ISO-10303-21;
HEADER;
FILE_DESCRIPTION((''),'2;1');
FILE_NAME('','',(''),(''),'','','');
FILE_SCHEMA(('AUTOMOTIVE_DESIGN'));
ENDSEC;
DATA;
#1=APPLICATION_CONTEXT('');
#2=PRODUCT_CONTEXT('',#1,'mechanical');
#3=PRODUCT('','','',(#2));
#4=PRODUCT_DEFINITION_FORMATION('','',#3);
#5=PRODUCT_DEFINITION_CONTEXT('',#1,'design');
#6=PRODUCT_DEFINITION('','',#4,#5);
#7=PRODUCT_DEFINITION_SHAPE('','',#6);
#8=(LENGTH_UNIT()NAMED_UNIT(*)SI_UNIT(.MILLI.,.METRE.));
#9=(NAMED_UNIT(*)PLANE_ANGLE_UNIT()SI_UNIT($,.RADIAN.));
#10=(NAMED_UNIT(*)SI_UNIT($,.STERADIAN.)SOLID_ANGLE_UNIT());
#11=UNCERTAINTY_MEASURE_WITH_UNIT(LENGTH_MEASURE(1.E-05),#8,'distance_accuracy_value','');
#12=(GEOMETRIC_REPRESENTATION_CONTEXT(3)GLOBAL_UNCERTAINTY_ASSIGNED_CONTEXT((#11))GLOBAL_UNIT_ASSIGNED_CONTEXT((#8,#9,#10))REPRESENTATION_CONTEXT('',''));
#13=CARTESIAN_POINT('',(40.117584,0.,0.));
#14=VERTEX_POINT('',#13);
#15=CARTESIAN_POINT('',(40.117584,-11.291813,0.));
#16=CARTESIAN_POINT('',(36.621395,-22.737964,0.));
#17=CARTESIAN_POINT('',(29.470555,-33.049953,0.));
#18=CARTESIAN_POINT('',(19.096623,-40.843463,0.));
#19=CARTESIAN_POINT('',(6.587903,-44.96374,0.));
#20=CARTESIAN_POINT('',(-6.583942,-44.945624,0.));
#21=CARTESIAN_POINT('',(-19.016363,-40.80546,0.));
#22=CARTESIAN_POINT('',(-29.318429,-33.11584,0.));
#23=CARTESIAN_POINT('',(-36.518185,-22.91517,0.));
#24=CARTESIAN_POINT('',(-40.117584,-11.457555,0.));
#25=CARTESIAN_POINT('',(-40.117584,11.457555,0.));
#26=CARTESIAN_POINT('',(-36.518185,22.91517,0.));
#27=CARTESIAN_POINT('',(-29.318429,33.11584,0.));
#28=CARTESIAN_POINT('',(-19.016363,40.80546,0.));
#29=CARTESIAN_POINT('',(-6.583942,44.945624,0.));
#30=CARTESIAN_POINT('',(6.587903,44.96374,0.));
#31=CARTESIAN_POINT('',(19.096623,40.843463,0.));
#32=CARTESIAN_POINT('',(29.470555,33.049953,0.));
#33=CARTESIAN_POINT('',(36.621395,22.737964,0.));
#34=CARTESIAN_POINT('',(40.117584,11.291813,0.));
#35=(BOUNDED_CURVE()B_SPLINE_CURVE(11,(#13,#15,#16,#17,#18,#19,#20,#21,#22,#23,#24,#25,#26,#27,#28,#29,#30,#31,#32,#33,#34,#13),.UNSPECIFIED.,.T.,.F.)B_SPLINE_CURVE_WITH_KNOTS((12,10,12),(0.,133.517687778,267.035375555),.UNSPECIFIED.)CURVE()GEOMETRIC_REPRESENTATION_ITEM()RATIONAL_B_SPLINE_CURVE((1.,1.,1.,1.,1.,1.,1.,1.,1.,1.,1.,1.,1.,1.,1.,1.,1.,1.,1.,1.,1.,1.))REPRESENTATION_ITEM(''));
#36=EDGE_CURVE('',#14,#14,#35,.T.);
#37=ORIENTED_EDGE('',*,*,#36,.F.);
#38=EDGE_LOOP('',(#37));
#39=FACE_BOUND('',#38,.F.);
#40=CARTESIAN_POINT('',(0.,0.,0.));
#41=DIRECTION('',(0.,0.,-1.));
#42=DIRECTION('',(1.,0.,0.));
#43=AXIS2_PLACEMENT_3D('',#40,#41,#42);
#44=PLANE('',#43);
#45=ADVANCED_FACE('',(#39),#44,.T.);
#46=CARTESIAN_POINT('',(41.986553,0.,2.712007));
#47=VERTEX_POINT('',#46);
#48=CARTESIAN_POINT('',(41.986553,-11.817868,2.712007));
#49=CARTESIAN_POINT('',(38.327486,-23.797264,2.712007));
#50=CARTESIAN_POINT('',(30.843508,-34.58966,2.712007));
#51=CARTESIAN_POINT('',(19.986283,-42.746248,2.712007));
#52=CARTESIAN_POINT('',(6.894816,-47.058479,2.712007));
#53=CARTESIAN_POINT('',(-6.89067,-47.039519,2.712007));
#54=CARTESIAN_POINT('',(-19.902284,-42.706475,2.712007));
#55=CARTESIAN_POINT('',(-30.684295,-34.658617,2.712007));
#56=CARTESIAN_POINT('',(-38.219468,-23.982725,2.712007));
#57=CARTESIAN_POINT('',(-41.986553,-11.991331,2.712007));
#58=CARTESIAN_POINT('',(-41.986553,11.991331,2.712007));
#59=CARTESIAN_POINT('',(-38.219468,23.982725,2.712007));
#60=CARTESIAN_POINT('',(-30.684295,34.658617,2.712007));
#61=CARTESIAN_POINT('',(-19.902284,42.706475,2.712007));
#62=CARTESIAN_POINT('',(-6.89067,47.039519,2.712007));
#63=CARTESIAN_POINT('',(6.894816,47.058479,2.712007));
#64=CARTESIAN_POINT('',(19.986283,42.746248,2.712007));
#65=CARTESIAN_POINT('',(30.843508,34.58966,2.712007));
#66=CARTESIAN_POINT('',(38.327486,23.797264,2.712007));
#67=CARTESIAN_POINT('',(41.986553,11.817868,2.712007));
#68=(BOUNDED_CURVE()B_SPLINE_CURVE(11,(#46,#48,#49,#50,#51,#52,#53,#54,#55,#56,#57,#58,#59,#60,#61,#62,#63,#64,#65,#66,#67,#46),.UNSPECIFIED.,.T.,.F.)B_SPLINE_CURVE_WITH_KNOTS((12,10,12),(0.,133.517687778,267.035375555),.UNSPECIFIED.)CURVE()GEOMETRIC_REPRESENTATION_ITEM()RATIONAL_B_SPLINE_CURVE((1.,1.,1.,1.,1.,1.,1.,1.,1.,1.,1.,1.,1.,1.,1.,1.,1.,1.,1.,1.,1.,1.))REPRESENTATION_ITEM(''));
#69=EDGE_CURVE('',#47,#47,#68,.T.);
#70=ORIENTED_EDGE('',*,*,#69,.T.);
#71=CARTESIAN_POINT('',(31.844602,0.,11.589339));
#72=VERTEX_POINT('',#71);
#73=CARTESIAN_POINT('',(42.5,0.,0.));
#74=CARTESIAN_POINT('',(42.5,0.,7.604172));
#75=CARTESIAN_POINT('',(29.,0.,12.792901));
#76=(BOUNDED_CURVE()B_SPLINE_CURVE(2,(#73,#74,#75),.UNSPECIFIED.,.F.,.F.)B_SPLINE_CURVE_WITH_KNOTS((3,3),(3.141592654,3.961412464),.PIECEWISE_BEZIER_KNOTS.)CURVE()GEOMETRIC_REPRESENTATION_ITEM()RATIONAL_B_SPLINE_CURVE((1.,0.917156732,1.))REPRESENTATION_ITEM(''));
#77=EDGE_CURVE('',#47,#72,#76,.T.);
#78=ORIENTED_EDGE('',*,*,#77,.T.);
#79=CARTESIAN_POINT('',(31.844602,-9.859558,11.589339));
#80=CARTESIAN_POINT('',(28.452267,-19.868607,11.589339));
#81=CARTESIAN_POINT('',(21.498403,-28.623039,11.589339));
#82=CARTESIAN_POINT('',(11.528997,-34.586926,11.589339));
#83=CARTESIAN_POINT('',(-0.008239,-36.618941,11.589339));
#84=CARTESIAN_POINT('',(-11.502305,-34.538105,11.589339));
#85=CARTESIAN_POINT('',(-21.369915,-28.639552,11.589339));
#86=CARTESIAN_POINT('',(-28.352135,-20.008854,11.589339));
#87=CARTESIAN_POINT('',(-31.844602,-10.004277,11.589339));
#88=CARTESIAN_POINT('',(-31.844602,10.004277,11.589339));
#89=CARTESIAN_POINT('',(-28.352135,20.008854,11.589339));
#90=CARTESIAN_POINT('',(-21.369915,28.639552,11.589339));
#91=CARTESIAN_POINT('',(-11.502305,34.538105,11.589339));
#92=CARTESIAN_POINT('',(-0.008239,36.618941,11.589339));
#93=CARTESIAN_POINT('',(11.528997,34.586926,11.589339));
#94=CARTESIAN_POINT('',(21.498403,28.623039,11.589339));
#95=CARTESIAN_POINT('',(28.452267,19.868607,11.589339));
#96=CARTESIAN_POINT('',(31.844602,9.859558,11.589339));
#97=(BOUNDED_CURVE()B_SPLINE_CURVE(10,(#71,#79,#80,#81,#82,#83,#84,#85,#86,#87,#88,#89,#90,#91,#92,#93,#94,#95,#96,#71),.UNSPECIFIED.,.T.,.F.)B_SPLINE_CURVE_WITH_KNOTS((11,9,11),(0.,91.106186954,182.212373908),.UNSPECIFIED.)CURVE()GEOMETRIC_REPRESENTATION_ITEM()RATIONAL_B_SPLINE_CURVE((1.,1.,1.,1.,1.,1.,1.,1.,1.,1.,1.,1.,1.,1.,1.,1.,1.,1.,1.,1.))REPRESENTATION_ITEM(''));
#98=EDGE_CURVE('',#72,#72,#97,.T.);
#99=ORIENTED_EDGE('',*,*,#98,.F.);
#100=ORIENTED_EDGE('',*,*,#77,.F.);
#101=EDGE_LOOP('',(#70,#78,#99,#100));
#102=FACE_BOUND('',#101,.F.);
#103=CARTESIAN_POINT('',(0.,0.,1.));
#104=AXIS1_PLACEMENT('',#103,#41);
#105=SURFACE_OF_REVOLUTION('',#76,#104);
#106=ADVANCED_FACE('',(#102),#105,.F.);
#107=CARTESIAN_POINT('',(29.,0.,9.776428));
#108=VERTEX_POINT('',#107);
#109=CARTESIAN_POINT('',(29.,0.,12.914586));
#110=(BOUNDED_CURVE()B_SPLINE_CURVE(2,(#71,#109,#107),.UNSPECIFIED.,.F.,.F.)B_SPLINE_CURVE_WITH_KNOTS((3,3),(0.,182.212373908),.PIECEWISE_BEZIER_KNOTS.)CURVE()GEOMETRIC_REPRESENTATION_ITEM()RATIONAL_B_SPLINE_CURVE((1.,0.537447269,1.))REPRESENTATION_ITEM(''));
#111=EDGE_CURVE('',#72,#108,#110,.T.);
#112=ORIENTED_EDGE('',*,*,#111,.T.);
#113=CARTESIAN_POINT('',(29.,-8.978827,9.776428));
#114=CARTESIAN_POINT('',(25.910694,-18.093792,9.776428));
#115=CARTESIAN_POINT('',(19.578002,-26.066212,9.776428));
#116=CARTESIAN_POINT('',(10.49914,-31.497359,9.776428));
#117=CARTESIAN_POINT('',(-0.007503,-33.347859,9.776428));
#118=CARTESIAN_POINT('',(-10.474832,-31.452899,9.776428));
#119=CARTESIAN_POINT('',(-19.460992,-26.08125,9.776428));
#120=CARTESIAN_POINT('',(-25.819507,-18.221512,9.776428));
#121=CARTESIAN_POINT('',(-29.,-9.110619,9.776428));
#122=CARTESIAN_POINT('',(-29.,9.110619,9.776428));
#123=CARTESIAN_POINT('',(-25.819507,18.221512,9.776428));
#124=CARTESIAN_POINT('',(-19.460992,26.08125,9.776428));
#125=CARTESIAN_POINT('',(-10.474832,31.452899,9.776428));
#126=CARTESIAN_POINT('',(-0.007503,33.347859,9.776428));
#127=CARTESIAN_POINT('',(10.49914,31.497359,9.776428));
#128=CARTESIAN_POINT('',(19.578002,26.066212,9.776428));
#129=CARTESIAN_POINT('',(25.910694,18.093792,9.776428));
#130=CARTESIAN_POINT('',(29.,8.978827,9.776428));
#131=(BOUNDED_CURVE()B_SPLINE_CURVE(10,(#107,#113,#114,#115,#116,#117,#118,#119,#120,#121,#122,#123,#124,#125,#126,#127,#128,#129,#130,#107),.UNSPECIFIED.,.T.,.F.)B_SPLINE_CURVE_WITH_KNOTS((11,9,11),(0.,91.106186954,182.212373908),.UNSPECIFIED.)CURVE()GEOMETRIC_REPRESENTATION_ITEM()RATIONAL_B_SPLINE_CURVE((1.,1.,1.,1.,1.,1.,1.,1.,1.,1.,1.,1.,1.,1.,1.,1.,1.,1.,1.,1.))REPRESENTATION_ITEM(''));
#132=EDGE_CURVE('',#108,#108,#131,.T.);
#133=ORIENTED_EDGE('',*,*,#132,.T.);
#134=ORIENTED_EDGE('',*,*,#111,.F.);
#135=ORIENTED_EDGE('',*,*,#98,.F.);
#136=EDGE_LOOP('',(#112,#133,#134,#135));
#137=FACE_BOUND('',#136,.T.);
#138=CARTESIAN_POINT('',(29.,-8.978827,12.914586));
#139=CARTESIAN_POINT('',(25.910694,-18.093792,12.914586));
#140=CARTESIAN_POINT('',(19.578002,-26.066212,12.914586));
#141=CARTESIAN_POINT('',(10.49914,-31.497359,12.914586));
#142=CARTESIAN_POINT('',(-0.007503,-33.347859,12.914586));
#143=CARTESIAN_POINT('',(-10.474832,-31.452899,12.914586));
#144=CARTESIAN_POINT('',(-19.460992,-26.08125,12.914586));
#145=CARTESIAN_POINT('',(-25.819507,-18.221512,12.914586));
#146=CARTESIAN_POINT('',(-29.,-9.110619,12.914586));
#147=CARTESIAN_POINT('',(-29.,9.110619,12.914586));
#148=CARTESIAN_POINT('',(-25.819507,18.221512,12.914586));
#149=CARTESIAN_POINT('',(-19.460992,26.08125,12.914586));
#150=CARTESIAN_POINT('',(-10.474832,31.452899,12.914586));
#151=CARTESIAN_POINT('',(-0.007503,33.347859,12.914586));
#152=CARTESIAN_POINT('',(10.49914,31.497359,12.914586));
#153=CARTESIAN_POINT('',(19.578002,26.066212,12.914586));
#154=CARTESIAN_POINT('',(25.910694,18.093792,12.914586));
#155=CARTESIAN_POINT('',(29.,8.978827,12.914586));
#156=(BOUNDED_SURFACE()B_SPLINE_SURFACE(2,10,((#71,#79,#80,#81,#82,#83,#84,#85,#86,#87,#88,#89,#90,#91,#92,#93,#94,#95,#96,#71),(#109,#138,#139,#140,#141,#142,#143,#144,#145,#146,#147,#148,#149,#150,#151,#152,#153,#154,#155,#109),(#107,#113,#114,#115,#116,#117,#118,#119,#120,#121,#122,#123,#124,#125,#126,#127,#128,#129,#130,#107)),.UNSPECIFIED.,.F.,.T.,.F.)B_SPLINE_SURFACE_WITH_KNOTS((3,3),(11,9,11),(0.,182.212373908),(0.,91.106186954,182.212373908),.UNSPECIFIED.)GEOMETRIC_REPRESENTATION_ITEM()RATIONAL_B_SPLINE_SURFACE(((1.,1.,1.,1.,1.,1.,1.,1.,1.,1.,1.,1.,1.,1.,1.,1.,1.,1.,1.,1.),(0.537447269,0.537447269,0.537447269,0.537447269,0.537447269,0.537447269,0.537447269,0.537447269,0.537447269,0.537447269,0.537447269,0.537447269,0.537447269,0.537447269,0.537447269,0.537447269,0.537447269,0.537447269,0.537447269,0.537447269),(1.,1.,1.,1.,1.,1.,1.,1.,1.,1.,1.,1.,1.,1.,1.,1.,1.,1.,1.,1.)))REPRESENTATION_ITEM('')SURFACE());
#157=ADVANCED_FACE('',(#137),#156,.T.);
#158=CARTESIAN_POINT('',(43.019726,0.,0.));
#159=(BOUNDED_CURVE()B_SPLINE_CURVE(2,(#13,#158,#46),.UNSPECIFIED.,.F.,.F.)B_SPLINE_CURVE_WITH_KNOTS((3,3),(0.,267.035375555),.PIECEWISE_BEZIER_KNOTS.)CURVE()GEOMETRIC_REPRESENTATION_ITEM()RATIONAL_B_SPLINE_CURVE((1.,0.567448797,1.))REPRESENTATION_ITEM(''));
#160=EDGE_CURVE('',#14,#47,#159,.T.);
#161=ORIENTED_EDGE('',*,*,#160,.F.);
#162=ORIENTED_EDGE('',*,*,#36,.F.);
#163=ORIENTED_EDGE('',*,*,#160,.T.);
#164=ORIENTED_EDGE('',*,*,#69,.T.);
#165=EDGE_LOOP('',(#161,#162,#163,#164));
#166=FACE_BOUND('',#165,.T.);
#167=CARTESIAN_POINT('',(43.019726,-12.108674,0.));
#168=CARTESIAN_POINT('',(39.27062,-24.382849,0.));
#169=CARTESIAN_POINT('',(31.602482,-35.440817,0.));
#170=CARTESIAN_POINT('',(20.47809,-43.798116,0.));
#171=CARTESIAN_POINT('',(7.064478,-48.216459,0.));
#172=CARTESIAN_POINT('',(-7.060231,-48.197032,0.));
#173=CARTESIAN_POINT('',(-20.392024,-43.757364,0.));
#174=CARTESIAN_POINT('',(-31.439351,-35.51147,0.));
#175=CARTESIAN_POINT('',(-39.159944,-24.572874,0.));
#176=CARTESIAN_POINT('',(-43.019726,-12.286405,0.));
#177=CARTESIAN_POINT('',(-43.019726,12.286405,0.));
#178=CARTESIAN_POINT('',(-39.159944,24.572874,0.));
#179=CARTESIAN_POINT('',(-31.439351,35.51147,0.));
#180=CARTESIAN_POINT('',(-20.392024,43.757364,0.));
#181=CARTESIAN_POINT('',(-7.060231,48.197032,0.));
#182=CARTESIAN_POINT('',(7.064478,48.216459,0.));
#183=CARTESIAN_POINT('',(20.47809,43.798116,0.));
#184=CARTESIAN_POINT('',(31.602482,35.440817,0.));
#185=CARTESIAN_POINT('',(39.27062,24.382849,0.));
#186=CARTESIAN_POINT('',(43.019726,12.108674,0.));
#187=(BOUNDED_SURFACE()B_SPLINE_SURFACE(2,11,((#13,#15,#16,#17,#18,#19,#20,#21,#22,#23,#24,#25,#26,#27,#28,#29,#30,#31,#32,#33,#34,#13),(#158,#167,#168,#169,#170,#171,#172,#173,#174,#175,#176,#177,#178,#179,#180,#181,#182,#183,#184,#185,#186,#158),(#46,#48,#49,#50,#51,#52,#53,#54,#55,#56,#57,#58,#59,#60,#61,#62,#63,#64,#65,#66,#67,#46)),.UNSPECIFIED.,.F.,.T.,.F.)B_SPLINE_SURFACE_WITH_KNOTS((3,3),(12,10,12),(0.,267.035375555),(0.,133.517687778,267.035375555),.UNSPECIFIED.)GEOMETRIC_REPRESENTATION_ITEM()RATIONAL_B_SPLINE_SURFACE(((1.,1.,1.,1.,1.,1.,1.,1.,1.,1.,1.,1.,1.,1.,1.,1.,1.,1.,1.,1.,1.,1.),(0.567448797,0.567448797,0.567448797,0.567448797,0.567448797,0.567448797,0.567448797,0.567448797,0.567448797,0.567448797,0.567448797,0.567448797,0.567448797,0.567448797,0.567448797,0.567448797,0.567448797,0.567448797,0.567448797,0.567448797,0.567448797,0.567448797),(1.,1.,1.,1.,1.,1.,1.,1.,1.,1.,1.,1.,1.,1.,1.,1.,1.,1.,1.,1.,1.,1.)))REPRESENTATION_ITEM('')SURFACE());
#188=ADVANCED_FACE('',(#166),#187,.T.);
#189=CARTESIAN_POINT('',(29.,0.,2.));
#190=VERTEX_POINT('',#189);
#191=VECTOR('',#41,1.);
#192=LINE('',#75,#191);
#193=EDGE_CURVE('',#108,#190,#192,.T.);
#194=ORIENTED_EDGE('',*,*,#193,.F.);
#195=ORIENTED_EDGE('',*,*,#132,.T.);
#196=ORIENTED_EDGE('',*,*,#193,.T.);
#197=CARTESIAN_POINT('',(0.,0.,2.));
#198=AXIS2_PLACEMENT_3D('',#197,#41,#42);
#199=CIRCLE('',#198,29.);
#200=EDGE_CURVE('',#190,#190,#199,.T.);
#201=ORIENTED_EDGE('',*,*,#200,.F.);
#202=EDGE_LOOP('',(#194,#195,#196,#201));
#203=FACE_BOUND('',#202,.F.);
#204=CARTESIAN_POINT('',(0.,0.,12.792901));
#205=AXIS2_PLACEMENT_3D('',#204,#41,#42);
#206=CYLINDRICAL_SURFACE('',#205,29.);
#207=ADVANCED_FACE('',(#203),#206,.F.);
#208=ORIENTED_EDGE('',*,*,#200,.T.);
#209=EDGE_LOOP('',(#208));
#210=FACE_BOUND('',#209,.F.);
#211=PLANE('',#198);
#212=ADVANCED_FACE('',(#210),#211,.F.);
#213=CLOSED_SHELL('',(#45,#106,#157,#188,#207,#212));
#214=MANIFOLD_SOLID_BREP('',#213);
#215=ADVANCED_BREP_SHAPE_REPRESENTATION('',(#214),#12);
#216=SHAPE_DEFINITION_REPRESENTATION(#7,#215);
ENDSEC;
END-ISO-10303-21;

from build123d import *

# Parameters (mm, degrees)
F2_R = 2
F3_R = 2


with BuildPart() as f1:
    # F0 (on Front) → F1 (revolve)
    with BuildSketch(Plane.XZ):
        with BuildLine():
            Line((0, 0), (42.5, 0))
            add(Edge.make_bspline(
                [(42.5, 0), (42.5, 7.604171656), (29, 12.7929005506)],
                knots=[3.1415926536, 3.1415926536, 3.1415926536, 3.9614124639, 3.9614124639, 3.9614124639], degree=2, weights=[1, 0.9171567317, 1]))
            Line((29, 12.7929005506), (29, 2))
            Line((29, 2), (0, 2))
            Line((0, 2), (0, 0))
        make_face()
    revolve(axis=Axis((0, 0, 1), (0, 0, -1)))

    # F2
    f2_edges = [f1.edges().sort_by_distance(p)[0] for p in [
        (-42.5, 0, 0),
    ]]
    fillet(f2_edges, radius=F2_R)

    # F3
    f3_edges = [f1.edges().sort_by_distance(p)[0] for p in [
        (-29, 0, 12.792901),
    ]]
    fillet(f3_edges, radius=F3_R)


solid = f1.part
